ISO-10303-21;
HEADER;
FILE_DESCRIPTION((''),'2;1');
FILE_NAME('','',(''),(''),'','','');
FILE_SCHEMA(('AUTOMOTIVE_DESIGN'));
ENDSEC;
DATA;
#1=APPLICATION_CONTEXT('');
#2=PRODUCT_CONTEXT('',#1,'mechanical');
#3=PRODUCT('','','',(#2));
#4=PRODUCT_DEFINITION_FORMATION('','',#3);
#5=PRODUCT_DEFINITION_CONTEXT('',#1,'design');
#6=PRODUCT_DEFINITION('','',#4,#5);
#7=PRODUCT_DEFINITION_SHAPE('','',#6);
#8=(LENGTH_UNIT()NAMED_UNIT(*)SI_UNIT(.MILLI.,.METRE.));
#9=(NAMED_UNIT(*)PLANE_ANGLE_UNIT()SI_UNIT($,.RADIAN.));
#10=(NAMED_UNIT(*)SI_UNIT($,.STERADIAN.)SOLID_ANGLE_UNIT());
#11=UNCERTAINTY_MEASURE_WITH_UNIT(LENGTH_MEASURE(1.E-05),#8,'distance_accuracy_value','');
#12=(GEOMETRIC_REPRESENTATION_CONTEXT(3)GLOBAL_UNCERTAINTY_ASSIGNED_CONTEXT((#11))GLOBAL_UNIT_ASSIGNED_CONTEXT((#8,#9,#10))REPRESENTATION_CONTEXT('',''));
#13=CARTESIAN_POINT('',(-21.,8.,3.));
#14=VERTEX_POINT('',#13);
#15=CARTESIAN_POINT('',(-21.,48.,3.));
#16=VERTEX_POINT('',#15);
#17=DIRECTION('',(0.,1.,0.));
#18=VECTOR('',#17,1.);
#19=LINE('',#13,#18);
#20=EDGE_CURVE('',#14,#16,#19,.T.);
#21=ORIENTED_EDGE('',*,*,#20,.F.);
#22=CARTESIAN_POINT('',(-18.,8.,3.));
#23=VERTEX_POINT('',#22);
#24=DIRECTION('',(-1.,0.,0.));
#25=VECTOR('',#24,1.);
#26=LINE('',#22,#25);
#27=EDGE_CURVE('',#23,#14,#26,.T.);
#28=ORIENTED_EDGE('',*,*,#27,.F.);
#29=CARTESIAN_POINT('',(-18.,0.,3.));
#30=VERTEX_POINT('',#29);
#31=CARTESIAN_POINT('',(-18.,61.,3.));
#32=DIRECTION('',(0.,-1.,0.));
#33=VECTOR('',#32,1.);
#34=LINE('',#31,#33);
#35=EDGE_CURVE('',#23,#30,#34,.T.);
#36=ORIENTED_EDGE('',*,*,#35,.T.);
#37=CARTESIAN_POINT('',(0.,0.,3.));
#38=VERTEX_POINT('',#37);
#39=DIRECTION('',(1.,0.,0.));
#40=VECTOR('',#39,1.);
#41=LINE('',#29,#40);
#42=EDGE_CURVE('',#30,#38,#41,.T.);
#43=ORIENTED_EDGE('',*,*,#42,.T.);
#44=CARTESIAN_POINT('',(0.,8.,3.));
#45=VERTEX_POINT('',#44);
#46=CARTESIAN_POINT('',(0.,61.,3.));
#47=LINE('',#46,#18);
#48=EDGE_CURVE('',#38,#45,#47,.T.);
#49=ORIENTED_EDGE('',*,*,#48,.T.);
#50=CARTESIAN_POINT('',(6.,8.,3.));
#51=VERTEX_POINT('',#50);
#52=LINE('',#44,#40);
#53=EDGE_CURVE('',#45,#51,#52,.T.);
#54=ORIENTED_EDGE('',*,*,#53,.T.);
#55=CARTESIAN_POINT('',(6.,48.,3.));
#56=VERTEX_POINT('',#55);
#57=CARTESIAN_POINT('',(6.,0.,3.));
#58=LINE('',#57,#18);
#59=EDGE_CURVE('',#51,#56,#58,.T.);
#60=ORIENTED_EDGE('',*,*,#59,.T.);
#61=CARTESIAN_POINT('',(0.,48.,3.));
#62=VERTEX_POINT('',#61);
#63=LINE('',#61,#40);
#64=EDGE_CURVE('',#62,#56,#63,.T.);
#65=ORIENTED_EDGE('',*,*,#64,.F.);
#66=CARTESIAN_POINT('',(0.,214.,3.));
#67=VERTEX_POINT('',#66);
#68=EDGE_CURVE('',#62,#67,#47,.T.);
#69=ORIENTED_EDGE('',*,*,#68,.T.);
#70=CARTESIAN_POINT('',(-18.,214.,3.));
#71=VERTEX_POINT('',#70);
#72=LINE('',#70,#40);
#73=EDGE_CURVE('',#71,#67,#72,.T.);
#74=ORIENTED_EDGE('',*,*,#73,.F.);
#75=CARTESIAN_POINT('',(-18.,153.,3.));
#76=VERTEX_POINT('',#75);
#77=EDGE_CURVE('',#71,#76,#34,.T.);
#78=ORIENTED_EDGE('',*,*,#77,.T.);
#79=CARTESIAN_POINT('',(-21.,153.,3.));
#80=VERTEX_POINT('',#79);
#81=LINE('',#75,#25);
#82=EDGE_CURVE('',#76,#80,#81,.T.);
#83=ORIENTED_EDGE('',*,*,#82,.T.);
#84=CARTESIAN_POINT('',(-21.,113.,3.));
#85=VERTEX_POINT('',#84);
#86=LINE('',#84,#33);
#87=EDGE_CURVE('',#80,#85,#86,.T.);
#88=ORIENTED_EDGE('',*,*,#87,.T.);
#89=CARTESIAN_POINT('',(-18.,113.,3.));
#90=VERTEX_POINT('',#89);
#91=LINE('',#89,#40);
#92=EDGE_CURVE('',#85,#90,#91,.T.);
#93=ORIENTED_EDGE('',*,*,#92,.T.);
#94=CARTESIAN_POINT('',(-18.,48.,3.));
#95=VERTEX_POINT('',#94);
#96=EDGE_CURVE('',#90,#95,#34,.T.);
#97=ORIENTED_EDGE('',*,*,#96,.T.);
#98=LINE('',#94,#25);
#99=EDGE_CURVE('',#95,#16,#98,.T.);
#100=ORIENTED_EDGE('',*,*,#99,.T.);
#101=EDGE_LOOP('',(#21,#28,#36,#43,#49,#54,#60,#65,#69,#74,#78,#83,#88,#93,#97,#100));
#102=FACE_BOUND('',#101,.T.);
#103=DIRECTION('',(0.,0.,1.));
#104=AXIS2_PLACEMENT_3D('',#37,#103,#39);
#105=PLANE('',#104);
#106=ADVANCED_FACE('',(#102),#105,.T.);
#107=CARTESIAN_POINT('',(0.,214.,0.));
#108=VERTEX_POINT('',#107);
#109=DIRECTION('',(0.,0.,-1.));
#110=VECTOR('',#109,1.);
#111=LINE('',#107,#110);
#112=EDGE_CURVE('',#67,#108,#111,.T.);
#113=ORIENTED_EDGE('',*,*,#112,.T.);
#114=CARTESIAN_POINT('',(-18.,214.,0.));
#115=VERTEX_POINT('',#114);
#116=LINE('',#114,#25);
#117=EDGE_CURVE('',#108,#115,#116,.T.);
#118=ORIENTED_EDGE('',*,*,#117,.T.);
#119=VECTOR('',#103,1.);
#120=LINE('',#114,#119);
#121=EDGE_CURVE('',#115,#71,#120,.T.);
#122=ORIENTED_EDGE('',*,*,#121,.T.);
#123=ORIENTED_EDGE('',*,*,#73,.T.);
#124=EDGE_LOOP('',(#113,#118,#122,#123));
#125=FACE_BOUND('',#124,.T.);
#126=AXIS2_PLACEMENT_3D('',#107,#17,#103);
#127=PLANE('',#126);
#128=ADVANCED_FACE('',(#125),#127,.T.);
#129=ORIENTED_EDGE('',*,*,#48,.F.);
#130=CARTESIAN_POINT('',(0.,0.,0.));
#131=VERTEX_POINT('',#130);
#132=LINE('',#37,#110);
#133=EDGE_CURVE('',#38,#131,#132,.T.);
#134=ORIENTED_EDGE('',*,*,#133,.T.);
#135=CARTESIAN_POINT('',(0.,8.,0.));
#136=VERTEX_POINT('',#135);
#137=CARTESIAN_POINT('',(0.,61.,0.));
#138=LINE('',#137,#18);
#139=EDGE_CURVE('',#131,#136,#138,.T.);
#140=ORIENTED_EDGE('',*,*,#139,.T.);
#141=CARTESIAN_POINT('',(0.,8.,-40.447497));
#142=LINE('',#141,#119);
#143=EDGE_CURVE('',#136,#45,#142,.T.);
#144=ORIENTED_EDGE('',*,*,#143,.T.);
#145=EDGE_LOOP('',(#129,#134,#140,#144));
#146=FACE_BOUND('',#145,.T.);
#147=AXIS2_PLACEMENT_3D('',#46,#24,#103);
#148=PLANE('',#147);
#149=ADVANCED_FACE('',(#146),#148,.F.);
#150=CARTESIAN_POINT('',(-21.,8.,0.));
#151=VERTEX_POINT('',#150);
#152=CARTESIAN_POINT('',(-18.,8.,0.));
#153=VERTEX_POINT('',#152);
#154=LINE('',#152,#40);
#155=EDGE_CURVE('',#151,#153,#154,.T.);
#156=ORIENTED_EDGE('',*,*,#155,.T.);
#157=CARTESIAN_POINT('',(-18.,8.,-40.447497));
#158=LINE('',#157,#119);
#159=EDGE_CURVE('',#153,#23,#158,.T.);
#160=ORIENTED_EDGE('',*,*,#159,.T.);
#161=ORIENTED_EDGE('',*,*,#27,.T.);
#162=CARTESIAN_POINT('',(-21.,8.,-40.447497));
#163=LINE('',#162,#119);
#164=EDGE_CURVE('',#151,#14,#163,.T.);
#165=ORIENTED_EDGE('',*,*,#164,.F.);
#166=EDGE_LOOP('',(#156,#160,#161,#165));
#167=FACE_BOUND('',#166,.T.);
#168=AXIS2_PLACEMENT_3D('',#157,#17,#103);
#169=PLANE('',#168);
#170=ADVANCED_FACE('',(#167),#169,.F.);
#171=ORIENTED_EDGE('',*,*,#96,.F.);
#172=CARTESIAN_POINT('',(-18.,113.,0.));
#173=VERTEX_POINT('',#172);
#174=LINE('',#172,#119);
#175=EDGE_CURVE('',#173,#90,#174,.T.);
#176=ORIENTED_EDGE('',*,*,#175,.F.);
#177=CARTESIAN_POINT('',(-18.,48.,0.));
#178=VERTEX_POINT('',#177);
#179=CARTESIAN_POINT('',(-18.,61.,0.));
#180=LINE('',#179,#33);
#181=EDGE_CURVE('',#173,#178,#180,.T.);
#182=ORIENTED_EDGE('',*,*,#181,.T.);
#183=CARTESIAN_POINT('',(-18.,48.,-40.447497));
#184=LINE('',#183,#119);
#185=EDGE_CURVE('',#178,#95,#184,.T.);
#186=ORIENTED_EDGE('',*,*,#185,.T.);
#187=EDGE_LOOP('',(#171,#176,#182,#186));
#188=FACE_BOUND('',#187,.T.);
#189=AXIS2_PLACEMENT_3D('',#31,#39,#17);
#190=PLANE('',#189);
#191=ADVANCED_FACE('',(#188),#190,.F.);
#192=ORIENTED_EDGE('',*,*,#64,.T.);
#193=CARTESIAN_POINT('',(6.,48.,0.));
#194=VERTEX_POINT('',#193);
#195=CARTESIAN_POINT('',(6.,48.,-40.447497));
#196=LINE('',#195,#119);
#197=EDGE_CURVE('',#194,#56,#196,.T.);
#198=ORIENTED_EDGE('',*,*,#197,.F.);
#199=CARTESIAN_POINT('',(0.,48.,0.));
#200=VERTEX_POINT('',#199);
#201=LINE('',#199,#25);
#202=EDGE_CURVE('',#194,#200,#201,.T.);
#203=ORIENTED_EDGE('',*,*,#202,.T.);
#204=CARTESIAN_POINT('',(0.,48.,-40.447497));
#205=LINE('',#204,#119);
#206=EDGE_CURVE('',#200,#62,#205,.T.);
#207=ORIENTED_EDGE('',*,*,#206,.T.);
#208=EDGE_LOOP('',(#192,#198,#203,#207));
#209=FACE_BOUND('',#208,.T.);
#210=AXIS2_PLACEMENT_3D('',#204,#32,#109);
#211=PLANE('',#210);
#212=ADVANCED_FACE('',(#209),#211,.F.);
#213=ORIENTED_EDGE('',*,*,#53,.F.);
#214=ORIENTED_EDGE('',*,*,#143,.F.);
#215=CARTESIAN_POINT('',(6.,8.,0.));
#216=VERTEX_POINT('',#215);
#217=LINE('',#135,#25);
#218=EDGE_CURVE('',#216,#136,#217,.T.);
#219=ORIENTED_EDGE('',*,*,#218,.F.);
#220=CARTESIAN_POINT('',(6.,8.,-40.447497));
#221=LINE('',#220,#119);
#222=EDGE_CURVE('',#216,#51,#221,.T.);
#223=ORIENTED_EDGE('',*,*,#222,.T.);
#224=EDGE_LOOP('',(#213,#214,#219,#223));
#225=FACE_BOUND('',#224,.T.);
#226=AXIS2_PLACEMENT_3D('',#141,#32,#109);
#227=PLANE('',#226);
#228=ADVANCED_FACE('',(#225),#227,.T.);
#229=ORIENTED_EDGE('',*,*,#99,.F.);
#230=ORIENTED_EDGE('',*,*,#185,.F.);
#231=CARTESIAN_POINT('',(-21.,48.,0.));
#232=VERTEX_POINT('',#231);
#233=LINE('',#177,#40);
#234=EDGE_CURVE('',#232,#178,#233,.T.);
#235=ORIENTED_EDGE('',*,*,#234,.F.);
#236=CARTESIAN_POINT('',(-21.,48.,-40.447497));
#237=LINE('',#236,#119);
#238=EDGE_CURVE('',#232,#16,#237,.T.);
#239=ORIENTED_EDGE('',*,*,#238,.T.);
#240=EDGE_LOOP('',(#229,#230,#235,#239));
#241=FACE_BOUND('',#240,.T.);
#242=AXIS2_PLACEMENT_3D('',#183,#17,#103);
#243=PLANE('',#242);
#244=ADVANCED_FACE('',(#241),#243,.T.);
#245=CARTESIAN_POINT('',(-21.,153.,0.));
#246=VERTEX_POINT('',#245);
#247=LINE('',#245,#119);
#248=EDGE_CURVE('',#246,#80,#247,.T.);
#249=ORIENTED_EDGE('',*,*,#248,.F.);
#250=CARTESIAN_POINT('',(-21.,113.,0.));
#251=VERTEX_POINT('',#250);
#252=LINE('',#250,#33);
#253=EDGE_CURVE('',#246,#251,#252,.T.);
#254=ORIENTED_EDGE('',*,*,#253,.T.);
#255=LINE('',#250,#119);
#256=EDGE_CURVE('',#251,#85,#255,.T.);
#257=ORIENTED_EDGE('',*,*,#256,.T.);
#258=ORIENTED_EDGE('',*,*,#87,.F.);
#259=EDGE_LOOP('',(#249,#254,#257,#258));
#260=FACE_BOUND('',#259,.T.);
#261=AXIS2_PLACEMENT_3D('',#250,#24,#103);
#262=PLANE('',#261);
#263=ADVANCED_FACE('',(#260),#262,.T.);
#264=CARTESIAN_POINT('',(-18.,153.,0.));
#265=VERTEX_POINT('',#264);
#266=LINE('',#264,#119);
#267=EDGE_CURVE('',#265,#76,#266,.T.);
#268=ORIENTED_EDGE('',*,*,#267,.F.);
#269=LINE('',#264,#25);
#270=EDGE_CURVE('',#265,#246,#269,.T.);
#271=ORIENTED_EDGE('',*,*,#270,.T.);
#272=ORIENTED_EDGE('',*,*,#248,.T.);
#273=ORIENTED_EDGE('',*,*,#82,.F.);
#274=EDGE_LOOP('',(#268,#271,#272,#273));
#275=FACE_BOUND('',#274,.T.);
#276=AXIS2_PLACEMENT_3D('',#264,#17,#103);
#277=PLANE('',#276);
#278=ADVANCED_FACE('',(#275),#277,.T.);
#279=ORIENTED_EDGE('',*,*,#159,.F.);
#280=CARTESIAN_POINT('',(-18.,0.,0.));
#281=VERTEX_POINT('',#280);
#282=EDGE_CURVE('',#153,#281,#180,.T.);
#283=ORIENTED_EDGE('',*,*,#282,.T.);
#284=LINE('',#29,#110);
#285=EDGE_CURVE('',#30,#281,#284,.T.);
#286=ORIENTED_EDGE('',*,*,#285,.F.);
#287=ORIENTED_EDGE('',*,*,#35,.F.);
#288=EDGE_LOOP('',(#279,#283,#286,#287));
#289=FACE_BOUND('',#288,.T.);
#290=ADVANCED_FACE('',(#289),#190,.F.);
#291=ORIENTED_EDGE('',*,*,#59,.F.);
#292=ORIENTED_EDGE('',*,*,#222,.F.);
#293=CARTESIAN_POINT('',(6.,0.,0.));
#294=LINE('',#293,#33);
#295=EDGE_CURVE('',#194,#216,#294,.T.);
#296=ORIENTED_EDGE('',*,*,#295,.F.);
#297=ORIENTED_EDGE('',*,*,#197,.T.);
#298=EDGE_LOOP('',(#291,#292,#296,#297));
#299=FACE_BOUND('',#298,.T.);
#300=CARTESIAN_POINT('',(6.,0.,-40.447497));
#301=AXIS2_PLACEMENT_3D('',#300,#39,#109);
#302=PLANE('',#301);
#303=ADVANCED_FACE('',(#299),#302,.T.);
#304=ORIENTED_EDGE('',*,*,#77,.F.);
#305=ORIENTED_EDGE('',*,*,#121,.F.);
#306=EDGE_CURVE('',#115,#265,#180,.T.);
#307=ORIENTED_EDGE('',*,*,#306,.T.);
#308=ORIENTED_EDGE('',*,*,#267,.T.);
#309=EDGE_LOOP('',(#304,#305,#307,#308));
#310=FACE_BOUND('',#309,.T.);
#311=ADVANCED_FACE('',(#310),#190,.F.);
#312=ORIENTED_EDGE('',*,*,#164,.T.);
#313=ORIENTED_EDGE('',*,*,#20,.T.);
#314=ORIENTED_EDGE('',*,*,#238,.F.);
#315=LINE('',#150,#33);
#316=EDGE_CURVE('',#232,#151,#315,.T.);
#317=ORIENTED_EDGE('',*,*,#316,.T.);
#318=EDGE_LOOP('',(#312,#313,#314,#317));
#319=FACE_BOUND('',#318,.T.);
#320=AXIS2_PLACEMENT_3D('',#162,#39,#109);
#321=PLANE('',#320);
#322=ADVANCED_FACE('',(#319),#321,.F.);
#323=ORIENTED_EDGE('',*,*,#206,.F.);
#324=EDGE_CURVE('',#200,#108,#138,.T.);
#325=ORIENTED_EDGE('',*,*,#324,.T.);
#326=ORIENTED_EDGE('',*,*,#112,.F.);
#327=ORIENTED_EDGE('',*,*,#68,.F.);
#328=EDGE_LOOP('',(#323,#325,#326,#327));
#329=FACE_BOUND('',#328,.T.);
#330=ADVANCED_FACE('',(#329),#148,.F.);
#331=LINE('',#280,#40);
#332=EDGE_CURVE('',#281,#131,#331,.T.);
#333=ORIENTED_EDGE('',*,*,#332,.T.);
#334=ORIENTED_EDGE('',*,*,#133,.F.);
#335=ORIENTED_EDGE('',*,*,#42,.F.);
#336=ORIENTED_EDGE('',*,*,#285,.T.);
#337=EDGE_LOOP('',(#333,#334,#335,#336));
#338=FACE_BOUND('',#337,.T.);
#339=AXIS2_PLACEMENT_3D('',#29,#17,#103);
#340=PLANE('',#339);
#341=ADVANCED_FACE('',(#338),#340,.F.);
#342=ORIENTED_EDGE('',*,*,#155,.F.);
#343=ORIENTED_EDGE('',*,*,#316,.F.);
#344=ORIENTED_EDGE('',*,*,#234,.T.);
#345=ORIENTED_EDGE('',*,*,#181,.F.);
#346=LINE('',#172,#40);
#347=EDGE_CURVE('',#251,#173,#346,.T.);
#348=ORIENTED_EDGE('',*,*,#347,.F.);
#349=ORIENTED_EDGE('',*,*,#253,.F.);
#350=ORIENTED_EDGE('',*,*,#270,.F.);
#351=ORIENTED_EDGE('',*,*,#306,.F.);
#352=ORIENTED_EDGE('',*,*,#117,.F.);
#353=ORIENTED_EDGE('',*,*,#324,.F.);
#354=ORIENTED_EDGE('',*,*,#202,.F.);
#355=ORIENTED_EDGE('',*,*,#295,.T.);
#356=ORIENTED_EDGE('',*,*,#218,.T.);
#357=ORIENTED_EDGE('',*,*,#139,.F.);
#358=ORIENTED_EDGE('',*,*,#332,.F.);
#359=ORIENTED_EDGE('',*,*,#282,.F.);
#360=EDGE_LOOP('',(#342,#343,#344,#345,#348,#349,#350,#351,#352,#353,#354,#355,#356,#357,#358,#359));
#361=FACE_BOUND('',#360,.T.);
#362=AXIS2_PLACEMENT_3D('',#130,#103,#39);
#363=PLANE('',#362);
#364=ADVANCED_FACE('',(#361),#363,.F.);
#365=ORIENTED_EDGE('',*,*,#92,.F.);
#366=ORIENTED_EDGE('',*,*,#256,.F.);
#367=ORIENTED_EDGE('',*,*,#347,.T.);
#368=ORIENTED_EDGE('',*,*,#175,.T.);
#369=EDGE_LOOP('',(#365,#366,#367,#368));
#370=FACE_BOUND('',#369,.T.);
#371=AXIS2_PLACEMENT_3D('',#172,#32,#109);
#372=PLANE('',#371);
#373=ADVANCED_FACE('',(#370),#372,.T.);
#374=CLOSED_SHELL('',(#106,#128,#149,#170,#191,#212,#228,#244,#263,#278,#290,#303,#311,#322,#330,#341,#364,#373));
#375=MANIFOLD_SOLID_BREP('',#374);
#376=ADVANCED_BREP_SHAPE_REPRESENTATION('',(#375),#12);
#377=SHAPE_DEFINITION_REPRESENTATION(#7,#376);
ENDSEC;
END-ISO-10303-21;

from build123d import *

# Parameters (mm, degrees)
SKETCH1_W           = 18
SKETCH1_H           = 61
BASE_SHAPE_DEPTH    = 3
SKETCH2_W           = 6
SKETCH2_H           = 40
SKETCH2_W_2         = 3
FINGERS_DEPTH       = 3
SKETCH3_W           = 18
SKETCH3_H           = 3
BOSS_EXTRUDE1_DEPTH = 153
SKETCH4_W           = 3
SKETCH4_H           = 40
BOSS_EXTRUDE3_DEPTH = 3


with BuildPart() as part:
    # Sketch1 → Base Shape (new body)
    with BuildSketch(Plane.XY):
        with Locations((-9, 30.5)):
            Rectangle(SKETCH1_W, SKETCH1_H)
    extrude(amount=BASE_SHAPE_DEPTH)

    # Sketch2 → Fingers (add)
    with BuildSketch(Plane.XY.offset(3)):
        with Locations((3, 28)):
            Rectangle(SKETCH2_W, SKETCH2_H)
        with Locations((-19.5, 28)):
            Rectangle(SKETCH2_W_2, SKETCH2_H)
    extrude(amount=-FINGERS_DEPTH)

    # Sketch3 → Boss-Extrude1 (add)
    with BuildSketch(Plane(origin=(0, 61, 0), x_dir=(1, 0, 0), z_dir=(0, 1, 0))):
        with Locations((-9, -1.5)):
            Rectangle(SKETCH3_W, SKETCH3_H)
    extrude(amount=BOSS_EXTRUDE1_DEPTH)

    # Sketch4 → Boss-Extrude3 (add, through all)
    with BuildSketch(Plane.XY.offset(3)):
        with Locations((-19.5, 133)):
            Rectangle(SKETCH4_W, SKETCH4_H)
    extrude(amount=-BOSS_EXTRUDE3_DEPTH)


solid = part.part
